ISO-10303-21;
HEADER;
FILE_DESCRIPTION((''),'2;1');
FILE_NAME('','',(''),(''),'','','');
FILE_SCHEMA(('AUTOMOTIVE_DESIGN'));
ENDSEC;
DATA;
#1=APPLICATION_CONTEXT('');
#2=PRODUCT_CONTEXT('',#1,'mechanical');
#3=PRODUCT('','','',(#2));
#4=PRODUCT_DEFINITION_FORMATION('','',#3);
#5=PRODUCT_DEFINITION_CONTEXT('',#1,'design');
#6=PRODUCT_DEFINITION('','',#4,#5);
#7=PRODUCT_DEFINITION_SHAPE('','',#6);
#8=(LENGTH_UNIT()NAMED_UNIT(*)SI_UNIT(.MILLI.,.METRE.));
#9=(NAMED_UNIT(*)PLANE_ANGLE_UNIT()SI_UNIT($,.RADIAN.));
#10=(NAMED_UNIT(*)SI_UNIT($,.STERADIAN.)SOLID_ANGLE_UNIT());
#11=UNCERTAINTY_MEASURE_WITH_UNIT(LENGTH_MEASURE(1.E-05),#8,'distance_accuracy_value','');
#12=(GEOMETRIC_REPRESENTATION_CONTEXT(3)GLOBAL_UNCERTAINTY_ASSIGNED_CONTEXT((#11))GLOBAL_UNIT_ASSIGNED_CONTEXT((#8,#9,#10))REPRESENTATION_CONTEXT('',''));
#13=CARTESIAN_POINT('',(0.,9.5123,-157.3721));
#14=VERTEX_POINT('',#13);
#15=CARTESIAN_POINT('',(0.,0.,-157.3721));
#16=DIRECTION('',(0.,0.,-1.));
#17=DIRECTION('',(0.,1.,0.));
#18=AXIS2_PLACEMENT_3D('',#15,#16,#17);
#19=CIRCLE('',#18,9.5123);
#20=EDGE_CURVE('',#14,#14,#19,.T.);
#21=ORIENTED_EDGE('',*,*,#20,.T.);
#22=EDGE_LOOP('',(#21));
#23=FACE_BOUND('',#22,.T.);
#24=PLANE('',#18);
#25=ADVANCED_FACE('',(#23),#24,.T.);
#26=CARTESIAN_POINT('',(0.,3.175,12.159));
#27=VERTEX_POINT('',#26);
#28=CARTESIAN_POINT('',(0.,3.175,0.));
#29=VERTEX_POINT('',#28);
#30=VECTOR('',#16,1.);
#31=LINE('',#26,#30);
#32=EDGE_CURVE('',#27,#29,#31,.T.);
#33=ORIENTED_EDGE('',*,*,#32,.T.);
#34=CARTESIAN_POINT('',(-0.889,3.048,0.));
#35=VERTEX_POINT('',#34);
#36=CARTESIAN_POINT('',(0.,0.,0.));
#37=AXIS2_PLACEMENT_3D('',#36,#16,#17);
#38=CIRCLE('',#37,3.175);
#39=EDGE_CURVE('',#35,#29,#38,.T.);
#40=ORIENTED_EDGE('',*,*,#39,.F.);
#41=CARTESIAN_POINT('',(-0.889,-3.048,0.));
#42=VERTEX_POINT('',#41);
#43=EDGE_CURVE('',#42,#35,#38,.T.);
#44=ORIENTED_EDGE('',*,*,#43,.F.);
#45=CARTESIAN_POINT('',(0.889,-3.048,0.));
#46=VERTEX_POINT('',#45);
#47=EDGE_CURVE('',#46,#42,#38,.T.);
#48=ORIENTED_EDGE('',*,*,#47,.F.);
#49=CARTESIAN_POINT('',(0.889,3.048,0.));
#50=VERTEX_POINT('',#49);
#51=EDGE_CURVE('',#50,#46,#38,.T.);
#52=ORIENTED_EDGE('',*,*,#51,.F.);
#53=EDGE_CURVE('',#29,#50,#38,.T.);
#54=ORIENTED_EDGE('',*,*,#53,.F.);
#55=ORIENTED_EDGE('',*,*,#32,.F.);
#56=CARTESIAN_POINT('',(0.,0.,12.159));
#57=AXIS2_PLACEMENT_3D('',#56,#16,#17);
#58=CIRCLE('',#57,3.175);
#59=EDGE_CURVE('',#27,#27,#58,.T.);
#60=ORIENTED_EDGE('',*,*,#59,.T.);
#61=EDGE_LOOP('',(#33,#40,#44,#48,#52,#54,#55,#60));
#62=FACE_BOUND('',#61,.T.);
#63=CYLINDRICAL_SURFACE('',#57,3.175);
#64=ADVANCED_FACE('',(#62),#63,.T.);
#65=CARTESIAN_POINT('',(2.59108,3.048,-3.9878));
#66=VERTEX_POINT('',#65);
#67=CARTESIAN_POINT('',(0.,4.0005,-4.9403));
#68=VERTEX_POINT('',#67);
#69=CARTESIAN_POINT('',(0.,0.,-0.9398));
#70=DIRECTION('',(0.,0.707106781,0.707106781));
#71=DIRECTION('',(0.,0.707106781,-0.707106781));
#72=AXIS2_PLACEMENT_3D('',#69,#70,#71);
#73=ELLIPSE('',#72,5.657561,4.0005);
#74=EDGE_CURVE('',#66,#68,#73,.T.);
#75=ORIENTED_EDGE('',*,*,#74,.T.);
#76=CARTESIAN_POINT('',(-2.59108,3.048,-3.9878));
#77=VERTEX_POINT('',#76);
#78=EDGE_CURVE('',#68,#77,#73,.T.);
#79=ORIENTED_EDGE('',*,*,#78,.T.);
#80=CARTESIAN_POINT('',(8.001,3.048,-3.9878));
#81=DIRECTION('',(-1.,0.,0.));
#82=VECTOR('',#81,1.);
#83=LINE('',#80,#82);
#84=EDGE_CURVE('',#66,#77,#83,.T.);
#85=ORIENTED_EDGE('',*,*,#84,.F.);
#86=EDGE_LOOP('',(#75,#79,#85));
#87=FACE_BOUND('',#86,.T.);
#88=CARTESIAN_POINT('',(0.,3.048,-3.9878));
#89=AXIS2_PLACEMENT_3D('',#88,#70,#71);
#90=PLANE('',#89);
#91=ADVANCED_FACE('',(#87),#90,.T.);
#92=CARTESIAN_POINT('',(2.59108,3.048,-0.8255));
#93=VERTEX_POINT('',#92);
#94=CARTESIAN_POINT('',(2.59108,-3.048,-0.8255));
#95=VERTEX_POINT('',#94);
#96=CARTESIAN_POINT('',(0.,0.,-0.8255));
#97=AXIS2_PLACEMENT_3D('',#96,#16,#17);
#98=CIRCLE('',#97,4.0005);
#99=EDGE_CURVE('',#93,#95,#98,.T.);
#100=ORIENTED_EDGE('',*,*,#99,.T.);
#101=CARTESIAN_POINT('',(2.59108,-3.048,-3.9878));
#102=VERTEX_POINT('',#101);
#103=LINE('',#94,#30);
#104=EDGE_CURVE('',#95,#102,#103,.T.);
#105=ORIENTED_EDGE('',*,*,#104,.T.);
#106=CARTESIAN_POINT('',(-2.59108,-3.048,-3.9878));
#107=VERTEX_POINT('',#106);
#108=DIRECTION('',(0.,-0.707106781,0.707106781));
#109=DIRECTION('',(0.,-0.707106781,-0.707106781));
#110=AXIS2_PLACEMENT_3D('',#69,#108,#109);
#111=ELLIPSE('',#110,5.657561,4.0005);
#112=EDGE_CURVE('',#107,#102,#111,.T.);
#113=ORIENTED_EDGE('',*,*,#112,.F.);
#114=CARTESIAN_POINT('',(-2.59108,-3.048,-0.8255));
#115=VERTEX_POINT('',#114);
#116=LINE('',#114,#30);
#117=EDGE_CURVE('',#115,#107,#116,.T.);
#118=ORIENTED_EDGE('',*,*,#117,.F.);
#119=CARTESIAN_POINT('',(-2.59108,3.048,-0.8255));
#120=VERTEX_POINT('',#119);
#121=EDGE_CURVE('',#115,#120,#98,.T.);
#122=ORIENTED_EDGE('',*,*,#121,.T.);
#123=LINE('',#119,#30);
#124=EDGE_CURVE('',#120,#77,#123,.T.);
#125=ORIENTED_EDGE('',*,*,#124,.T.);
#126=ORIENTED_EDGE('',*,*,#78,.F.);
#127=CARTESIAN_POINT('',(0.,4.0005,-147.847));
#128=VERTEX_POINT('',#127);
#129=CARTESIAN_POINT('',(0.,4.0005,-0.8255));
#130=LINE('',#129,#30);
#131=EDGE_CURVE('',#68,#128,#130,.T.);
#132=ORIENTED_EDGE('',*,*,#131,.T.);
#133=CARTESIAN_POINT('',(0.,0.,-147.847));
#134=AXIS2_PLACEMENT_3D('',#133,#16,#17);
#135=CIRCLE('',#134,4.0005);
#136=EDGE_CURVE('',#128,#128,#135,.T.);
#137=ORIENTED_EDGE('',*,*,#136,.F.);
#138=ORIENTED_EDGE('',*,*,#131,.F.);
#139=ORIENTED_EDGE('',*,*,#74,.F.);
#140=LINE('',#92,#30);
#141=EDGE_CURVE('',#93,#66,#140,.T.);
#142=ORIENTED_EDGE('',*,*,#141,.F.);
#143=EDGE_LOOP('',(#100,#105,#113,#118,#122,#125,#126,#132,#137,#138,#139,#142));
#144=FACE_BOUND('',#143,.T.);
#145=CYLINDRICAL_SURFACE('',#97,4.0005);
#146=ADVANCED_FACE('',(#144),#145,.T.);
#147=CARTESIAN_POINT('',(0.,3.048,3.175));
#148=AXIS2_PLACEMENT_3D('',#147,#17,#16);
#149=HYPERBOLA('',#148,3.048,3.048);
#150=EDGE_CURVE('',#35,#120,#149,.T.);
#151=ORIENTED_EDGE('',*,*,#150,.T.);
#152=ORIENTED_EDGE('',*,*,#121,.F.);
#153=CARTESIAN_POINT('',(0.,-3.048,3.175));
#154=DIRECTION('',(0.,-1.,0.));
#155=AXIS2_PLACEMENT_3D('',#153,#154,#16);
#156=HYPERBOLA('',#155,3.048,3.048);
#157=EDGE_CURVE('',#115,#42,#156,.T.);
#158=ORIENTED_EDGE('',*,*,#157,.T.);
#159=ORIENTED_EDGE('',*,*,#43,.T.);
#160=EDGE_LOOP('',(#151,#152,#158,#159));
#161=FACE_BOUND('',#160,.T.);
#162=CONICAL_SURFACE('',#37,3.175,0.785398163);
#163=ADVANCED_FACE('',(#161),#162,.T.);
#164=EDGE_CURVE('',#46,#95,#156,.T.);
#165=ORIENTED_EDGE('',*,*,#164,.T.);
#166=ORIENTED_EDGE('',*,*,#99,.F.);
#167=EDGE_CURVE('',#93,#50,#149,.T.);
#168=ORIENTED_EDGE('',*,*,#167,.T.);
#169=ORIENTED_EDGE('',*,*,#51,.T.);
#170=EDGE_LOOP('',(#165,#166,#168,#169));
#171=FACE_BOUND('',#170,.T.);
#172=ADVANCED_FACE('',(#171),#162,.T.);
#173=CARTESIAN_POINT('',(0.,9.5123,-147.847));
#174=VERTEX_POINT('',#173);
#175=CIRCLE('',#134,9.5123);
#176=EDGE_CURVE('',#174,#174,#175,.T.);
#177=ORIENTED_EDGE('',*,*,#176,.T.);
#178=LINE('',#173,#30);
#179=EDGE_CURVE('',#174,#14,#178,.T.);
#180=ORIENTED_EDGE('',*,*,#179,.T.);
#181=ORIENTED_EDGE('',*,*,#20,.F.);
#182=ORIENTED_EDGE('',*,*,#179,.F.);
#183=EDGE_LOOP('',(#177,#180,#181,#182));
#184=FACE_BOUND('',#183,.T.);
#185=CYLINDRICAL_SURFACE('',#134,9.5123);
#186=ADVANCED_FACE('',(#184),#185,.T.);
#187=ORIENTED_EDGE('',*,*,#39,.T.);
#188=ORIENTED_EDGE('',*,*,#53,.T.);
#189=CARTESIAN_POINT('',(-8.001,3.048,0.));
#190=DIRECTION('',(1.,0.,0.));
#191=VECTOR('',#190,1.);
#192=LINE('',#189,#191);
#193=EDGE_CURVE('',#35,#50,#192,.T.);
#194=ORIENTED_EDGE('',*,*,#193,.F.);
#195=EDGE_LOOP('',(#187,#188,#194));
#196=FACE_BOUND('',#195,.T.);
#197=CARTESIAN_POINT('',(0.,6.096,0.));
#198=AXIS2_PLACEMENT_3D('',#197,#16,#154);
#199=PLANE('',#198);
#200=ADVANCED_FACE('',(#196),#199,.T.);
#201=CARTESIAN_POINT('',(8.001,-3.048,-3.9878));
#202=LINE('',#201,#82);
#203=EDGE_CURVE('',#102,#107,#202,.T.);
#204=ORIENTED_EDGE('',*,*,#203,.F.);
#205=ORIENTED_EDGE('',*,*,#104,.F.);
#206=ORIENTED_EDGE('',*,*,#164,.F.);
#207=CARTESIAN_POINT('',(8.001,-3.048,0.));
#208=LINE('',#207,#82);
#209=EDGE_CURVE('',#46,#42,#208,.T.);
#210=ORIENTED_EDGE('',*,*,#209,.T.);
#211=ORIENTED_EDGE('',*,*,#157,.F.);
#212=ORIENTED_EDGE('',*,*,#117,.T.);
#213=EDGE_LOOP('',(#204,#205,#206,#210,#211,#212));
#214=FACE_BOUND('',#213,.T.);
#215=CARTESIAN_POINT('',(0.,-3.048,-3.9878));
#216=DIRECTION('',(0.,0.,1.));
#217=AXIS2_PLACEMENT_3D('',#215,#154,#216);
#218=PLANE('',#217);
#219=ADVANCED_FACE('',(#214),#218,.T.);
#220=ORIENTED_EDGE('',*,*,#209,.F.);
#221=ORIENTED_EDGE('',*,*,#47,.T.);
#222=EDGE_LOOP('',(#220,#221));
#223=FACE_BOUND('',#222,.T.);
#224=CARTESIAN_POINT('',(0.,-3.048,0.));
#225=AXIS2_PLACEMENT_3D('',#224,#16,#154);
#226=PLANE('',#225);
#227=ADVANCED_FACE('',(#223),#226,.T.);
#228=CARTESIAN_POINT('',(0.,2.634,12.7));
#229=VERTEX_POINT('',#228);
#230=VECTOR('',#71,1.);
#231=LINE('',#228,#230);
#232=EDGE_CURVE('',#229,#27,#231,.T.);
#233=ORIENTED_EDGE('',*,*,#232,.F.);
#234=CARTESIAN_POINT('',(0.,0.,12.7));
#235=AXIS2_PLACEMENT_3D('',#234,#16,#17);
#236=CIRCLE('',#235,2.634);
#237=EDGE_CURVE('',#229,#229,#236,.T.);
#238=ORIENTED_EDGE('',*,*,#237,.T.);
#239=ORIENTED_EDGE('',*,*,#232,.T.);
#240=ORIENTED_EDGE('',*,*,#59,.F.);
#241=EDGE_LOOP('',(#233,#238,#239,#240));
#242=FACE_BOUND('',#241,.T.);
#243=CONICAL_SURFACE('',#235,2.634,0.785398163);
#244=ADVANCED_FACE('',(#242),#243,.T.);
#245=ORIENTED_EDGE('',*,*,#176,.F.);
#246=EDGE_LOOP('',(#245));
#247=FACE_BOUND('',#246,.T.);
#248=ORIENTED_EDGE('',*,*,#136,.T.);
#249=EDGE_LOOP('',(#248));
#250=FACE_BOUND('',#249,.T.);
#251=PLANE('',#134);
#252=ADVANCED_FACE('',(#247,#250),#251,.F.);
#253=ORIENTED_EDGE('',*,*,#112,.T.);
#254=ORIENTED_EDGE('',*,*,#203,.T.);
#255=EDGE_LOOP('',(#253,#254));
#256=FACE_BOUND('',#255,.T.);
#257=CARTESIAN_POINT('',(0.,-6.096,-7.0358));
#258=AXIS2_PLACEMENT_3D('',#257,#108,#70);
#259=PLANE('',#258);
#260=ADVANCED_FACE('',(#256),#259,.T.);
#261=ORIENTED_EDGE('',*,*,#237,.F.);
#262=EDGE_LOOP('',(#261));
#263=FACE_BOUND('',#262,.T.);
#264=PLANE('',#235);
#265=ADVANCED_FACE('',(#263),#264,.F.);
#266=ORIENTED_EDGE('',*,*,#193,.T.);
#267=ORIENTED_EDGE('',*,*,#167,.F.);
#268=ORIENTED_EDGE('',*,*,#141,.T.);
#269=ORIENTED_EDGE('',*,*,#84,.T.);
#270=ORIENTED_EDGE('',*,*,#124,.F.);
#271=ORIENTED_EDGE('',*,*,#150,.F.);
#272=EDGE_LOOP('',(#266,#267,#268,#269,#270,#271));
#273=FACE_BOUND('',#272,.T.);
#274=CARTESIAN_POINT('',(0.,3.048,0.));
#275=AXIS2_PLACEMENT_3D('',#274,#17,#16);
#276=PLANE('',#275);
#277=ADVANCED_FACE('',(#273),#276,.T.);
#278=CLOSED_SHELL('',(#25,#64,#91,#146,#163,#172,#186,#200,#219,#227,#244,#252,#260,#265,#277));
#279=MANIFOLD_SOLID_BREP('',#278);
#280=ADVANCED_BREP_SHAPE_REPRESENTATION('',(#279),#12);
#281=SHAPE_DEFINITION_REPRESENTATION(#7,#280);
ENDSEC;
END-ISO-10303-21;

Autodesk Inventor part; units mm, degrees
sketch "Sketch_1" plane through (0, 0, 0) normal (1, 0, 0) x (0, 1, 0)
  line L0 (0, -157.3721) -> (0, 12.7)
  line L1 (0, 12.7) -> (2.634, 12.7)
  line L2 (2.634, 12.7) -> (3.175, 12.159)
  line L3 (3.175, 12.159) -> (3.175, 0)
  line L4 (3.175, 0) -> (4.0005, -0.8255)
  line L5 (4.0005, -0.8255) -> (4.0005, -147.847)
  line L6 (4.0005, -147.847) -> (9.5123, -147.847)
  line L7 (9.5123, -147.847) -> (9.5123, -157.3721)
  line L8 (9.5123, -157.3721) -> (0, -157.3721)
  line L9 (0, -157.3721) -> (0, 12.7)
revolve "Revolution1" add sketch "Sketch_1" angle 360 about axis through (0, 0, -157.3721) along (0, 0, -1)
thread "Thread1" size "1/4-28 UNF" class "2A" standard "ANSI Unified Screw Threads" full length
sketch "Sketch_2" plane through (0, 0, 0) normal (1, 0, 0) x (0, 1, 0)
  line L0 (6.096, 0) -> (3.048, 0)
  line L1 (3.048, 0) -> (3.048, -3.9878)
  line L2 (3.048, -3.9878) -> (6.096, -7.0358)
  line L3 (6.096, -7.0358) -> (6.096, 0)
extrude "Extrusion1" cut sketch "Sketch_2" along normal mid plane 16.002
sketch "Sketch_3" plane through (0, 0, 0) normal (1, 0, 0) x (0, 1, 0)
  line L0 (-6.096, 0) -> (-6.096, -7.0358)
  line L1 (-6.096, -7.0358) -> (-3.048, -3.9878)
  line L2 (-3.048, -3.9878) -> (-3.048, 0)
  line L3 (-3.048, 0) -> (-6.096, 0)
extrude "Extrusion2" cut sketch "Sketch_3" along normal mid plane 16.002
ref_plane "conn_XY" through (0, 0, 0) normal (0, 0, -1) x (1, 0, 0)
ref_plane "conn_YZ" through (0, 0, 0) normal (1, 0, 0) x (0, -1, 0)
ref_plane "conn_ZX" through (0, 0, 0) normal (0, -1, 0) x (0, 0, -1)
properties part number "PR_OCG1-3/4x4" material "Stainless Steel"
